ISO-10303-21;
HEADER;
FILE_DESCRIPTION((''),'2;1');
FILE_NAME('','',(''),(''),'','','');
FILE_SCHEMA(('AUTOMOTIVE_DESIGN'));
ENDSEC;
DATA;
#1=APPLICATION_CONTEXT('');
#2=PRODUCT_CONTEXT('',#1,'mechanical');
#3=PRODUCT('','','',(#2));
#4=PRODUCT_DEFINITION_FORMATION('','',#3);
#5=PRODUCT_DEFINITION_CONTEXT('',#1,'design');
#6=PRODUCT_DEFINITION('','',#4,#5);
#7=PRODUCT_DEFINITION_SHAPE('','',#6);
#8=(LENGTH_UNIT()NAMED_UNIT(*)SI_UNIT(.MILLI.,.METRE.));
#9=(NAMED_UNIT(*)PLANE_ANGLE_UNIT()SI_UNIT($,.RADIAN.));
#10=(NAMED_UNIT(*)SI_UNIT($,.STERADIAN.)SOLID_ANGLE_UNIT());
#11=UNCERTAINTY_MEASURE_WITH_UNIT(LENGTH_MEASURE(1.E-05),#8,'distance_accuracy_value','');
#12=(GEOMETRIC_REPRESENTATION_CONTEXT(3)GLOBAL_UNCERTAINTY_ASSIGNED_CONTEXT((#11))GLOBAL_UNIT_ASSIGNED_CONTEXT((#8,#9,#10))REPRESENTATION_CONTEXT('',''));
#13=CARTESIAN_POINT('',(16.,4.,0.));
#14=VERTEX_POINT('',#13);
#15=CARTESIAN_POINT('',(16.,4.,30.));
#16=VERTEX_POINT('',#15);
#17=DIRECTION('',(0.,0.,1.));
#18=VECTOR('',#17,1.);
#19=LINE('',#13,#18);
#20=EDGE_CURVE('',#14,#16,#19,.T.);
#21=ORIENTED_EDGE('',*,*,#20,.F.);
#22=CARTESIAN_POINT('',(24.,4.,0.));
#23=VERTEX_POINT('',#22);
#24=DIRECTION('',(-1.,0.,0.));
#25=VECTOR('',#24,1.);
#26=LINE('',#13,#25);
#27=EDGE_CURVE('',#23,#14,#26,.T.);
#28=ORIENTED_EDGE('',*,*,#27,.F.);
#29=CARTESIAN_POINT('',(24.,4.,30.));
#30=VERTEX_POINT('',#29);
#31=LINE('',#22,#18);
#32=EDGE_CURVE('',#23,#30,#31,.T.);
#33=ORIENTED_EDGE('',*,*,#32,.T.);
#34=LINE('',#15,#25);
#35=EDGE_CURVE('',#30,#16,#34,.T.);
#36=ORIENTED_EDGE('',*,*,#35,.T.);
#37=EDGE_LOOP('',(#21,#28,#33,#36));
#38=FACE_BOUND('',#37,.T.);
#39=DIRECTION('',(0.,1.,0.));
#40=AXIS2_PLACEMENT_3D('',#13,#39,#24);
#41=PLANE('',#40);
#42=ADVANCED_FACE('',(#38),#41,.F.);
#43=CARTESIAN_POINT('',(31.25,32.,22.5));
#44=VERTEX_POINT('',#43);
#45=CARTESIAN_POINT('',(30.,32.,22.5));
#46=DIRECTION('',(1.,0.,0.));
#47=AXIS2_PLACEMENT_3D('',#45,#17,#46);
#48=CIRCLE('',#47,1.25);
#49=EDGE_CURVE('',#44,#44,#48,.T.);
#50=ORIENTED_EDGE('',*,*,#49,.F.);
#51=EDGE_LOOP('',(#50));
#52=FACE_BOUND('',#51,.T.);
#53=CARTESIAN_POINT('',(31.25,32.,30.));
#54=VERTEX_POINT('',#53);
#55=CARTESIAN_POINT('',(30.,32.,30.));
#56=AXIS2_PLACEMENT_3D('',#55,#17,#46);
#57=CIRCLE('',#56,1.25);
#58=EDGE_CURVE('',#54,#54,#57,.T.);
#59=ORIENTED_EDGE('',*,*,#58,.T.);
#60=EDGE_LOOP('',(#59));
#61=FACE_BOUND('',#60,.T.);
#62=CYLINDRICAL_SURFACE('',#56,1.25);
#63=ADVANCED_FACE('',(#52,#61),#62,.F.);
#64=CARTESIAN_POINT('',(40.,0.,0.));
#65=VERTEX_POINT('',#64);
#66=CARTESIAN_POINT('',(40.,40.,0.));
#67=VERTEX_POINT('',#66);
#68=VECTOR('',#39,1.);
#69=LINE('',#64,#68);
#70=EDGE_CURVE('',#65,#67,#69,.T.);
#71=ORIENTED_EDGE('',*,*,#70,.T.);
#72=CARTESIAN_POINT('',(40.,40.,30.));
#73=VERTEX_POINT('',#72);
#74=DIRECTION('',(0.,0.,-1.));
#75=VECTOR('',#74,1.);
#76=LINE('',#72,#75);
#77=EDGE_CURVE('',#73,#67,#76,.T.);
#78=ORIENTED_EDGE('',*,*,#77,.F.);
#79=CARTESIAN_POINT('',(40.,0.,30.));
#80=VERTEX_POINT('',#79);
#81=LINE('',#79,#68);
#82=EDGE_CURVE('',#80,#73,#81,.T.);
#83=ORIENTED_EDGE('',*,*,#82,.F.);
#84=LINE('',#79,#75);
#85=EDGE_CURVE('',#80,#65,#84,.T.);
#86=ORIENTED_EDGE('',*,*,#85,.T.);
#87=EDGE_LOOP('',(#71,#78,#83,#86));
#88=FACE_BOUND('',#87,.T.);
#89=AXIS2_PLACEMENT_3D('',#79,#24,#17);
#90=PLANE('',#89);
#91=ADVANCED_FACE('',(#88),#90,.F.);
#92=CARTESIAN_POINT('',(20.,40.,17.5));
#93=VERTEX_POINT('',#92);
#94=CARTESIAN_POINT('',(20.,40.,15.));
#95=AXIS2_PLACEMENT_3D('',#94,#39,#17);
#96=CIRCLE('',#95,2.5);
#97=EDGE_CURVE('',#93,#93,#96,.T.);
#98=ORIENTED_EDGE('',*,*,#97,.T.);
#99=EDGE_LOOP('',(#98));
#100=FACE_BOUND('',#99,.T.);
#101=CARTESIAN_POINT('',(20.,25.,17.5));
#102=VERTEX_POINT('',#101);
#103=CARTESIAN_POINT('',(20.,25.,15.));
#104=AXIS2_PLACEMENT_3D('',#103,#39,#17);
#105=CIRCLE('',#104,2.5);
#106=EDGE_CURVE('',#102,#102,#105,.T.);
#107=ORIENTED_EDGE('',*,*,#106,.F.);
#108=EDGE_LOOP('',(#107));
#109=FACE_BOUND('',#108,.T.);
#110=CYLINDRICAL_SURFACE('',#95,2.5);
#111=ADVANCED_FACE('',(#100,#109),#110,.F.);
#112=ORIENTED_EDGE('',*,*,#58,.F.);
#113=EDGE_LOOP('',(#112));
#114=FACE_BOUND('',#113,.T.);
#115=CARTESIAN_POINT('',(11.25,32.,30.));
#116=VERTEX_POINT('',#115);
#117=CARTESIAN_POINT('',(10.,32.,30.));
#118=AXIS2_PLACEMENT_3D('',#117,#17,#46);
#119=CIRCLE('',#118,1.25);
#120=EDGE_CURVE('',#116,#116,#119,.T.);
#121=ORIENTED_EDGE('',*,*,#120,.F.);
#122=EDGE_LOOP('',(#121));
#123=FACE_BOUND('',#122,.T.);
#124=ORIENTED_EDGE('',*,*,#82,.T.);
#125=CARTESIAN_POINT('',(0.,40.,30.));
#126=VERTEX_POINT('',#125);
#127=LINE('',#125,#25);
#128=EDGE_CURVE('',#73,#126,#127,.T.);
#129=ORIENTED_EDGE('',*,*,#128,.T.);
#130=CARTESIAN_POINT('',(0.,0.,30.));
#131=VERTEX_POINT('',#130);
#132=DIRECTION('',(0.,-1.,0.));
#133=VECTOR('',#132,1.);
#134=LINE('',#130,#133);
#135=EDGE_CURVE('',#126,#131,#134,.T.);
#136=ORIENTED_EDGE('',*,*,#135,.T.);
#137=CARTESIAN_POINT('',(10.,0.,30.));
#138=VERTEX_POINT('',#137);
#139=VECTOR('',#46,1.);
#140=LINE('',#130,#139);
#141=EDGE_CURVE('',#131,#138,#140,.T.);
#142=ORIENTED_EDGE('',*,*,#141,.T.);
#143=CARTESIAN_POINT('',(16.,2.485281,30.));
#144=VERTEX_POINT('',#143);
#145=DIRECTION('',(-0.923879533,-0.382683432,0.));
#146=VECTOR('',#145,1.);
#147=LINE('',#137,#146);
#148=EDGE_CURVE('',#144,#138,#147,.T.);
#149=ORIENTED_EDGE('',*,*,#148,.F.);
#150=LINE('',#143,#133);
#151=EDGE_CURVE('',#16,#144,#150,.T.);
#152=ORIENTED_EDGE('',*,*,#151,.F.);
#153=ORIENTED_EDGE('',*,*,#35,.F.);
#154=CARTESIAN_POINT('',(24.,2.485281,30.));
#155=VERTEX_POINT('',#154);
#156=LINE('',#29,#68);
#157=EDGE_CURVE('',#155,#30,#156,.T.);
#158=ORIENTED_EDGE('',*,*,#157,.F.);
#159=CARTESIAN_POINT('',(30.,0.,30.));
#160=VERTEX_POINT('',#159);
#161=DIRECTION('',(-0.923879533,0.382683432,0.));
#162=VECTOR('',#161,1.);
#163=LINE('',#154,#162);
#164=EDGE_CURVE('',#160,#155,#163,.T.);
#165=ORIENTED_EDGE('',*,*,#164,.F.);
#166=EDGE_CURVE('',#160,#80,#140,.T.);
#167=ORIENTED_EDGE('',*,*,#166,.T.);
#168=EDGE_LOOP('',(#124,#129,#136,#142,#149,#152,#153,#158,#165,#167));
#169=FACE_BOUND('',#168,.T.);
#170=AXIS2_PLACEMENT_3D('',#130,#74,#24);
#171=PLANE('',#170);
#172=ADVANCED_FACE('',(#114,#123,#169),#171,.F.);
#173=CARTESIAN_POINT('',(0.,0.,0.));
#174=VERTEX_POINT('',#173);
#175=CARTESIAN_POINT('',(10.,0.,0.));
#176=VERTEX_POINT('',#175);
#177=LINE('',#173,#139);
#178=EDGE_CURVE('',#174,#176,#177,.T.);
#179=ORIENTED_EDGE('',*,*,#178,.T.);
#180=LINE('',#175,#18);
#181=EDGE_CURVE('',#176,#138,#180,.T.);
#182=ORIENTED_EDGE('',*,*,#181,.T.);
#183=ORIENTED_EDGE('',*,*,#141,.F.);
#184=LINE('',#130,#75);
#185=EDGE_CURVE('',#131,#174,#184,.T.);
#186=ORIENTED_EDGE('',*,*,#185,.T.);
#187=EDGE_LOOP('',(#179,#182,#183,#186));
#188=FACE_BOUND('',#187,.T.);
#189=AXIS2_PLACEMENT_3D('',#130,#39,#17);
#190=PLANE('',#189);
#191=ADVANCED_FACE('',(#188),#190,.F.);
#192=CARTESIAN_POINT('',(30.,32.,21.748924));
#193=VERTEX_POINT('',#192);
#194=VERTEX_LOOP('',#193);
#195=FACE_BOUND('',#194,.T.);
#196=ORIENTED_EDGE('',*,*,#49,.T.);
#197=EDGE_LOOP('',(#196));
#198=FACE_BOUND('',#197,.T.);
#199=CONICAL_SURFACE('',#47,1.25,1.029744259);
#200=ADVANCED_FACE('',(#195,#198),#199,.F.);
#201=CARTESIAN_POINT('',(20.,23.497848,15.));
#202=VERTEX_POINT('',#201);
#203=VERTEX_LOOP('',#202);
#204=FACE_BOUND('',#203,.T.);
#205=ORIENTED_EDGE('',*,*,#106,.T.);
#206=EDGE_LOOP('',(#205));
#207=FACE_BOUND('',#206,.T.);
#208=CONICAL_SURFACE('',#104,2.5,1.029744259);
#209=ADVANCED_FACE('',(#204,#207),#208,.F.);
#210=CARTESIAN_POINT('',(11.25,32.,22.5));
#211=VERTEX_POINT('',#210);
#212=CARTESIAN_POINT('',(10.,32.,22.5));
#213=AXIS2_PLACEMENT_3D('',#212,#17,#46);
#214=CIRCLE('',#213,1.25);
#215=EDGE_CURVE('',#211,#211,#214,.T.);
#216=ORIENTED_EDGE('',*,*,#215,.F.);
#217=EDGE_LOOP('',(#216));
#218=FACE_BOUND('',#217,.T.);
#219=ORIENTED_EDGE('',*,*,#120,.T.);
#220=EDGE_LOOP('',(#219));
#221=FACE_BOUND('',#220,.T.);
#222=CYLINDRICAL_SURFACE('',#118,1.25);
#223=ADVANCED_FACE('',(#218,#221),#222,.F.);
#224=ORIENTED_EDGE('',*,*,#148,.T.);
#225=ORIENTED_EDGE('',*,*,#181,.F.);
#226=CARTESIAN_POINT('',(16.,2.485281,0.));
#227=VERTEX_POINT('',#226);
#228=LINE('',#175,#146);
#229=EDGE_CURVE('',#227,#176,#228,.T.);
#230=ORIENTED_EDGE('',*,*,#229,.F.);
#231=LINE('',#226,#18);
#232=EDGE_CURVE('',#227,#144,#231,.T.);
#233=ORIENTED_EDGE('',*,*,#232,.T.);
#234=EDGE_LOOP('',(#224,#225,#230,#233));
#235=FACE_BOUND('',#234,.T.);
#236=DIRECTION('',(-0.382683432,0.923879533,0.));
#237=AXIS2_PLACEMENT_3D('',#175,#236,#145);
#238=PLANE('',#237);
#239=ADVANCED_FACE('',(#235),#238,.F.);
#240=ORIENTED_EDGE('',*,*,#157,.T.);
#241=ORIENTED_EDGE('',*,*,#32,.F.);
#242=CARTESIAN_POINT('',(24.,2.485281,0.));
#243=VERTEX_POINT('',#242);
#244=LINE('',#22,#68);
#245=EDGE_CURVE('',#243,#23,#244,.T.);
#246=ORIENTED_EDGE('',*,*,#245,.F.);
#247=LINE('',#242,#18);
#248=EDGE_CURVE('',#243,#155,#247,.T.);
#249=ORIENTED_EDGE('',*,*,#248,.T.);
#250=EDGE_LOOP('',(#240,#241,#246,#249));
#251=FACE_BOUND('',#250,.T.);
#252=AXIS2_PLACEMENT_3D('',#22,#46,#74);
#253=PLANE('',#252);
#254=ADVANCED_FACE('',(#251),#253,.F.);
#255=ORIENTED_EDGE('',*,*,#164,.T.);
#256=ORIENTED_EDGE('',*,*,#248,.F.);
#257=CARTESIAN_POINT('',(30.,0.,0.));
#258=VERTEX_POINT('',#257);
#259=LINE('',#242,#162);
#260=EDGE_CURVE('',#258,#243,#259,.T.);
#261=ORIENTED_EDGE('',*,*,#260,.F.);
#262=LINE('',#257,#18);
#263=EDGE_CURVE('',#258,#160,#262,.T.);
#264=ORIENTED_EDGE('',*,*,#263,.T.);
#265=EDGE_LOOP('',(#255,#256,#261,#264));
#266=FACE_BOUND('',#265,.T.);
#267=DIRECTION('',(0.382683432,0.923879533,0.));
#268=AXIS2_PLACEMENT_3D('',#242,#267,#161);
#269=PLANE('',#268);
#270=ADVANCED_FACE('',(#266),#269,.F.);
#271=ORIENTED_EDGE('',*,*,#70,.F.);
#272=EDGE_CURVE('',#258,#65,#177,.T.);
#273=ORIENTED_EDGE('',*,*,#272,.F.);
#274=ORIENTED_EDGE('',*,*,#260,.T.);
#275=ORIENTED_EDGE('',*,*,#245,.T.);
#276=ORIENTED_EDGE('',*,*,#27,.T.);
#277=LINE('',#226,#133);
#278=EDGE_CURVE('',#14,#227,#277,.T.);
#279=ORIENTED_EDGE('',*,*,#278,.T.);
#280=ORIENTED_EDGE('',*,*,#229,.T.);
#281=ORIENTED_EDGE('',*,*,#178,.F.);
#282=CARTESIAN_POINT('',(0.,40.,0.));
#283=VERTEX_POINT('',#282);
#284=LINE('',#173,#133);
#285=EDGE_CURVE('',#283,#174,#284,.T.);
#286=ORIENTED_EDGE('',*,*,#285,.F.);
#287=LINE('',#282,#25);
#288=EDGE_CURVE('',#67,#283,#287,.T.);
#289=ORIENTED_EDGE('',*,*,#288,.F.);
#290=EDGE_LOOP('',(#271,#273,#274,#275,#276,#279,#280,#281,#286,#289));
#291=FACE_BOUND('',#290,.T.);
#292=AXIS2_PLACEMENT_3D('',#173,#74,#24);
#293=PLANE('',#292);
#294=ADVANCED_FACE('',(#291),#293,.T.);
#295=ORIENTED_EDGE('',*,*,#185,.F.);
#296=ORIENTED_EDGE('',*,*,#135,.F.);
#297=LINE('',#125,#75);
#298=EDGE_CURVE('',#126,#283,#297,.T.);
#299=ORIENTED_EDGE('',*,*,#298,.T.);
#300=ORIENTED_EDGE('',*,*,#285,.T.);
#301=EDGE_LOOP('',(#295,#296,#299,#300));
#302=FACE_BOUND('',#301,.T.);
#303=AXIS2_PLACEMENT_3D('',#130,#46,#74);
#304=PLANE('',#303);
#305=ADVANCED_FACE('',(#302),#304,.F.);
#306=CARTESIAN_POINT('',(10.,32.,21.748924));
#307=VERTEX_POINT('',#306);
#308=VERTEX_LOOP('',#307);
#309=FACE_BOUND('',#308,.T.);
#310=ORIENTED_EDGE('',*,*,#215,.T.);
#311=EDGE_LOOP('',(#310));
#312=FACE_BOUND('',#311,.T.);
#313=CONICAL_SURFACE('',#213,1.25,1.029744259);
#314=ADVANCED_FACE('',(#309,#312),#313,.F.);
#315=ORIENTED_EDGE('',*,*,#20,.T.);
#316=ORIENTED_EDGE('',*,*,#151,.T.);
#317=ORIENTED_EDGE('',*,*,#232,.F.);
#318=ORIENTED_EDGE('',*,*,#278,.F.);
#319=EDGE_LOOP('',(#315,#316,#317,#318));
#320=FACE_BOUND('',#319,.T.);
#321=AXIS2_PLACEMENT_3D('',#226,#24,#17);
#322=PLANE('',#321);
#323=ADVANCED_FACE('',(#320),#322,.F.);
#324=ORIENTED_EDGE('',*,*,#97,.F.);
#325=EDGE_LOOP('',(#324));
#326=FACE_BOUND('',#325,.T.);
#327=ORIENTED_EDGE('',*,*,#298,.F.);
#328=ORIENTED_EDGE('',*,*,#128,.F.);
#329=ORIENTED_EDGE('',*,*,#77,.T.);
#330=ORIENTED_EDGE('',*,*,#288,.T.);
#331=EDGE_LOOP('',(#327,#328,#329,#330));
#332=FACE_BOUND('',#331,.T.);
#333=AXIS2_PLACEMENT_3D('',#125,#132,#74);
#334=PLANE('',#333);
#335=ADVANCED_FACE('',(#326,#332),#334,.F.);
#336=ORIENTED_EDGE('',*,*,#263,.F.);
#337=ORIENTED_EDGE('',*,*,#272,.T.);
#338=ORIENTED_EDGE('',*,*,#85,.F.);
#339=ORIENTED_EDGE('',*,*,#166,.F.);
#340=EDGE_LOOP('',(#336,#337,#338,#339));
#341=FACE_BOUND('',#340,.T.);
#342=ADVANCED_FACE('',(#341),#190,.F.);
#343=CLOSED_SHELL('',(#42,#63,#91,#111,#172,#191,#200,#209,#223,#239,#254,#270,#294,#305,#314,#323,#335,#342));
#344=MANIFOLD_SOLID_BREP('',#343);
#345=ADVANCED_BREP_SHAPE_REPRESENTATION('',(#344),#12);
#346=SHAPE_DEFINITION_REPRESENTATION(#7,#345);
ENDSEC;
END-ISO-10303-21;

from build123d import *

# Parameters (mm, degrees)
SKETCH_1_W             = 40
SKETCH_1_H             = 40
EXTRUDE_1_DEPTH        = 30
CUT_EXTRUDE_1_DEPTH    = 65.031242374
HOLE_WIZARD_M6_1_D     = 5
HOLE_WIZARD_M6_1_DEPTH = 15
HOLE_WIZARD_M6_1_TIP   = 1.502151548
HOLE_WIZARD_M3_1_D     = 2.5
HOLE_WIZARD_M3_1_DEPTH = 7.5
HOLE_WIZARD_M3_1_TIP   = 0.751075774


with BuildPart() as part:
    # 草图1 → 凸台-拉伸1 (new body)
    with BuildSketch(Plane.XY):
        with Locations((20, 20)):
            Rectangle(SKETCH_1_W, SKETCH_1_H)
    extrude(amount=EXTRUDE_1_DEPTH)

    # 草图2 → 切除-拉伸1 (cut, through all)
    with BuildSketch(Plane.XY.offset(30)):
        Polygon((10, 0), (16, 2.485281374), (16, 4), (24, 4), (24, 2.485281374), (30, 0), align=None)
    extrude(amount=-CUT_EXTRUDE_1_DEPTH, mode=Mode.SUBTRACT)

    # M6 螺纹孔1
    with Locations(Plane(origin=(0, 40, 0), x_dir=(1, 0, 0), z_dir=(0, 1, 0))):
        with Locations((20, -15)):
            Hole(HOLE_WIZARD_M6_1_D / 2, depth=HOLE_WIZARD_M6_1_DEPTH)
            with Locations((0, 0, -(HOLE_WIZARD_M6_1_DEPTH + HOLE_WIZARD_M6_1_TIP / 2))):  # 118° drill point
                Cone(0, HOLE_WIZARD_M6_1_D / 2, HOLE_WIZARD_M6_1_TIP, mode=Mode.SUBTRACT)

    # M3 螺纹孔1
    with Locations(Plane.XY.offset(30)):
        with Locations((10, 32), (30, 32)):
            Hole(HOLE_WIZARD_M3_1_D / 2, depth=HOLE_WIZARD_M3_1_DEPTH)
            with Locations((0, 0, -(HOLE_WIZARD_M3_1_DEPTH + HOLE_WIZARD_M3_1_TIP / 2))):  # 118° drill point
                Cone(0, HOLE_WIZARD_M3_1_D / 2, HOLE_WIZARD_M3_1_TIP, mode=Mode.SUBTRACT)


solid = part.part
